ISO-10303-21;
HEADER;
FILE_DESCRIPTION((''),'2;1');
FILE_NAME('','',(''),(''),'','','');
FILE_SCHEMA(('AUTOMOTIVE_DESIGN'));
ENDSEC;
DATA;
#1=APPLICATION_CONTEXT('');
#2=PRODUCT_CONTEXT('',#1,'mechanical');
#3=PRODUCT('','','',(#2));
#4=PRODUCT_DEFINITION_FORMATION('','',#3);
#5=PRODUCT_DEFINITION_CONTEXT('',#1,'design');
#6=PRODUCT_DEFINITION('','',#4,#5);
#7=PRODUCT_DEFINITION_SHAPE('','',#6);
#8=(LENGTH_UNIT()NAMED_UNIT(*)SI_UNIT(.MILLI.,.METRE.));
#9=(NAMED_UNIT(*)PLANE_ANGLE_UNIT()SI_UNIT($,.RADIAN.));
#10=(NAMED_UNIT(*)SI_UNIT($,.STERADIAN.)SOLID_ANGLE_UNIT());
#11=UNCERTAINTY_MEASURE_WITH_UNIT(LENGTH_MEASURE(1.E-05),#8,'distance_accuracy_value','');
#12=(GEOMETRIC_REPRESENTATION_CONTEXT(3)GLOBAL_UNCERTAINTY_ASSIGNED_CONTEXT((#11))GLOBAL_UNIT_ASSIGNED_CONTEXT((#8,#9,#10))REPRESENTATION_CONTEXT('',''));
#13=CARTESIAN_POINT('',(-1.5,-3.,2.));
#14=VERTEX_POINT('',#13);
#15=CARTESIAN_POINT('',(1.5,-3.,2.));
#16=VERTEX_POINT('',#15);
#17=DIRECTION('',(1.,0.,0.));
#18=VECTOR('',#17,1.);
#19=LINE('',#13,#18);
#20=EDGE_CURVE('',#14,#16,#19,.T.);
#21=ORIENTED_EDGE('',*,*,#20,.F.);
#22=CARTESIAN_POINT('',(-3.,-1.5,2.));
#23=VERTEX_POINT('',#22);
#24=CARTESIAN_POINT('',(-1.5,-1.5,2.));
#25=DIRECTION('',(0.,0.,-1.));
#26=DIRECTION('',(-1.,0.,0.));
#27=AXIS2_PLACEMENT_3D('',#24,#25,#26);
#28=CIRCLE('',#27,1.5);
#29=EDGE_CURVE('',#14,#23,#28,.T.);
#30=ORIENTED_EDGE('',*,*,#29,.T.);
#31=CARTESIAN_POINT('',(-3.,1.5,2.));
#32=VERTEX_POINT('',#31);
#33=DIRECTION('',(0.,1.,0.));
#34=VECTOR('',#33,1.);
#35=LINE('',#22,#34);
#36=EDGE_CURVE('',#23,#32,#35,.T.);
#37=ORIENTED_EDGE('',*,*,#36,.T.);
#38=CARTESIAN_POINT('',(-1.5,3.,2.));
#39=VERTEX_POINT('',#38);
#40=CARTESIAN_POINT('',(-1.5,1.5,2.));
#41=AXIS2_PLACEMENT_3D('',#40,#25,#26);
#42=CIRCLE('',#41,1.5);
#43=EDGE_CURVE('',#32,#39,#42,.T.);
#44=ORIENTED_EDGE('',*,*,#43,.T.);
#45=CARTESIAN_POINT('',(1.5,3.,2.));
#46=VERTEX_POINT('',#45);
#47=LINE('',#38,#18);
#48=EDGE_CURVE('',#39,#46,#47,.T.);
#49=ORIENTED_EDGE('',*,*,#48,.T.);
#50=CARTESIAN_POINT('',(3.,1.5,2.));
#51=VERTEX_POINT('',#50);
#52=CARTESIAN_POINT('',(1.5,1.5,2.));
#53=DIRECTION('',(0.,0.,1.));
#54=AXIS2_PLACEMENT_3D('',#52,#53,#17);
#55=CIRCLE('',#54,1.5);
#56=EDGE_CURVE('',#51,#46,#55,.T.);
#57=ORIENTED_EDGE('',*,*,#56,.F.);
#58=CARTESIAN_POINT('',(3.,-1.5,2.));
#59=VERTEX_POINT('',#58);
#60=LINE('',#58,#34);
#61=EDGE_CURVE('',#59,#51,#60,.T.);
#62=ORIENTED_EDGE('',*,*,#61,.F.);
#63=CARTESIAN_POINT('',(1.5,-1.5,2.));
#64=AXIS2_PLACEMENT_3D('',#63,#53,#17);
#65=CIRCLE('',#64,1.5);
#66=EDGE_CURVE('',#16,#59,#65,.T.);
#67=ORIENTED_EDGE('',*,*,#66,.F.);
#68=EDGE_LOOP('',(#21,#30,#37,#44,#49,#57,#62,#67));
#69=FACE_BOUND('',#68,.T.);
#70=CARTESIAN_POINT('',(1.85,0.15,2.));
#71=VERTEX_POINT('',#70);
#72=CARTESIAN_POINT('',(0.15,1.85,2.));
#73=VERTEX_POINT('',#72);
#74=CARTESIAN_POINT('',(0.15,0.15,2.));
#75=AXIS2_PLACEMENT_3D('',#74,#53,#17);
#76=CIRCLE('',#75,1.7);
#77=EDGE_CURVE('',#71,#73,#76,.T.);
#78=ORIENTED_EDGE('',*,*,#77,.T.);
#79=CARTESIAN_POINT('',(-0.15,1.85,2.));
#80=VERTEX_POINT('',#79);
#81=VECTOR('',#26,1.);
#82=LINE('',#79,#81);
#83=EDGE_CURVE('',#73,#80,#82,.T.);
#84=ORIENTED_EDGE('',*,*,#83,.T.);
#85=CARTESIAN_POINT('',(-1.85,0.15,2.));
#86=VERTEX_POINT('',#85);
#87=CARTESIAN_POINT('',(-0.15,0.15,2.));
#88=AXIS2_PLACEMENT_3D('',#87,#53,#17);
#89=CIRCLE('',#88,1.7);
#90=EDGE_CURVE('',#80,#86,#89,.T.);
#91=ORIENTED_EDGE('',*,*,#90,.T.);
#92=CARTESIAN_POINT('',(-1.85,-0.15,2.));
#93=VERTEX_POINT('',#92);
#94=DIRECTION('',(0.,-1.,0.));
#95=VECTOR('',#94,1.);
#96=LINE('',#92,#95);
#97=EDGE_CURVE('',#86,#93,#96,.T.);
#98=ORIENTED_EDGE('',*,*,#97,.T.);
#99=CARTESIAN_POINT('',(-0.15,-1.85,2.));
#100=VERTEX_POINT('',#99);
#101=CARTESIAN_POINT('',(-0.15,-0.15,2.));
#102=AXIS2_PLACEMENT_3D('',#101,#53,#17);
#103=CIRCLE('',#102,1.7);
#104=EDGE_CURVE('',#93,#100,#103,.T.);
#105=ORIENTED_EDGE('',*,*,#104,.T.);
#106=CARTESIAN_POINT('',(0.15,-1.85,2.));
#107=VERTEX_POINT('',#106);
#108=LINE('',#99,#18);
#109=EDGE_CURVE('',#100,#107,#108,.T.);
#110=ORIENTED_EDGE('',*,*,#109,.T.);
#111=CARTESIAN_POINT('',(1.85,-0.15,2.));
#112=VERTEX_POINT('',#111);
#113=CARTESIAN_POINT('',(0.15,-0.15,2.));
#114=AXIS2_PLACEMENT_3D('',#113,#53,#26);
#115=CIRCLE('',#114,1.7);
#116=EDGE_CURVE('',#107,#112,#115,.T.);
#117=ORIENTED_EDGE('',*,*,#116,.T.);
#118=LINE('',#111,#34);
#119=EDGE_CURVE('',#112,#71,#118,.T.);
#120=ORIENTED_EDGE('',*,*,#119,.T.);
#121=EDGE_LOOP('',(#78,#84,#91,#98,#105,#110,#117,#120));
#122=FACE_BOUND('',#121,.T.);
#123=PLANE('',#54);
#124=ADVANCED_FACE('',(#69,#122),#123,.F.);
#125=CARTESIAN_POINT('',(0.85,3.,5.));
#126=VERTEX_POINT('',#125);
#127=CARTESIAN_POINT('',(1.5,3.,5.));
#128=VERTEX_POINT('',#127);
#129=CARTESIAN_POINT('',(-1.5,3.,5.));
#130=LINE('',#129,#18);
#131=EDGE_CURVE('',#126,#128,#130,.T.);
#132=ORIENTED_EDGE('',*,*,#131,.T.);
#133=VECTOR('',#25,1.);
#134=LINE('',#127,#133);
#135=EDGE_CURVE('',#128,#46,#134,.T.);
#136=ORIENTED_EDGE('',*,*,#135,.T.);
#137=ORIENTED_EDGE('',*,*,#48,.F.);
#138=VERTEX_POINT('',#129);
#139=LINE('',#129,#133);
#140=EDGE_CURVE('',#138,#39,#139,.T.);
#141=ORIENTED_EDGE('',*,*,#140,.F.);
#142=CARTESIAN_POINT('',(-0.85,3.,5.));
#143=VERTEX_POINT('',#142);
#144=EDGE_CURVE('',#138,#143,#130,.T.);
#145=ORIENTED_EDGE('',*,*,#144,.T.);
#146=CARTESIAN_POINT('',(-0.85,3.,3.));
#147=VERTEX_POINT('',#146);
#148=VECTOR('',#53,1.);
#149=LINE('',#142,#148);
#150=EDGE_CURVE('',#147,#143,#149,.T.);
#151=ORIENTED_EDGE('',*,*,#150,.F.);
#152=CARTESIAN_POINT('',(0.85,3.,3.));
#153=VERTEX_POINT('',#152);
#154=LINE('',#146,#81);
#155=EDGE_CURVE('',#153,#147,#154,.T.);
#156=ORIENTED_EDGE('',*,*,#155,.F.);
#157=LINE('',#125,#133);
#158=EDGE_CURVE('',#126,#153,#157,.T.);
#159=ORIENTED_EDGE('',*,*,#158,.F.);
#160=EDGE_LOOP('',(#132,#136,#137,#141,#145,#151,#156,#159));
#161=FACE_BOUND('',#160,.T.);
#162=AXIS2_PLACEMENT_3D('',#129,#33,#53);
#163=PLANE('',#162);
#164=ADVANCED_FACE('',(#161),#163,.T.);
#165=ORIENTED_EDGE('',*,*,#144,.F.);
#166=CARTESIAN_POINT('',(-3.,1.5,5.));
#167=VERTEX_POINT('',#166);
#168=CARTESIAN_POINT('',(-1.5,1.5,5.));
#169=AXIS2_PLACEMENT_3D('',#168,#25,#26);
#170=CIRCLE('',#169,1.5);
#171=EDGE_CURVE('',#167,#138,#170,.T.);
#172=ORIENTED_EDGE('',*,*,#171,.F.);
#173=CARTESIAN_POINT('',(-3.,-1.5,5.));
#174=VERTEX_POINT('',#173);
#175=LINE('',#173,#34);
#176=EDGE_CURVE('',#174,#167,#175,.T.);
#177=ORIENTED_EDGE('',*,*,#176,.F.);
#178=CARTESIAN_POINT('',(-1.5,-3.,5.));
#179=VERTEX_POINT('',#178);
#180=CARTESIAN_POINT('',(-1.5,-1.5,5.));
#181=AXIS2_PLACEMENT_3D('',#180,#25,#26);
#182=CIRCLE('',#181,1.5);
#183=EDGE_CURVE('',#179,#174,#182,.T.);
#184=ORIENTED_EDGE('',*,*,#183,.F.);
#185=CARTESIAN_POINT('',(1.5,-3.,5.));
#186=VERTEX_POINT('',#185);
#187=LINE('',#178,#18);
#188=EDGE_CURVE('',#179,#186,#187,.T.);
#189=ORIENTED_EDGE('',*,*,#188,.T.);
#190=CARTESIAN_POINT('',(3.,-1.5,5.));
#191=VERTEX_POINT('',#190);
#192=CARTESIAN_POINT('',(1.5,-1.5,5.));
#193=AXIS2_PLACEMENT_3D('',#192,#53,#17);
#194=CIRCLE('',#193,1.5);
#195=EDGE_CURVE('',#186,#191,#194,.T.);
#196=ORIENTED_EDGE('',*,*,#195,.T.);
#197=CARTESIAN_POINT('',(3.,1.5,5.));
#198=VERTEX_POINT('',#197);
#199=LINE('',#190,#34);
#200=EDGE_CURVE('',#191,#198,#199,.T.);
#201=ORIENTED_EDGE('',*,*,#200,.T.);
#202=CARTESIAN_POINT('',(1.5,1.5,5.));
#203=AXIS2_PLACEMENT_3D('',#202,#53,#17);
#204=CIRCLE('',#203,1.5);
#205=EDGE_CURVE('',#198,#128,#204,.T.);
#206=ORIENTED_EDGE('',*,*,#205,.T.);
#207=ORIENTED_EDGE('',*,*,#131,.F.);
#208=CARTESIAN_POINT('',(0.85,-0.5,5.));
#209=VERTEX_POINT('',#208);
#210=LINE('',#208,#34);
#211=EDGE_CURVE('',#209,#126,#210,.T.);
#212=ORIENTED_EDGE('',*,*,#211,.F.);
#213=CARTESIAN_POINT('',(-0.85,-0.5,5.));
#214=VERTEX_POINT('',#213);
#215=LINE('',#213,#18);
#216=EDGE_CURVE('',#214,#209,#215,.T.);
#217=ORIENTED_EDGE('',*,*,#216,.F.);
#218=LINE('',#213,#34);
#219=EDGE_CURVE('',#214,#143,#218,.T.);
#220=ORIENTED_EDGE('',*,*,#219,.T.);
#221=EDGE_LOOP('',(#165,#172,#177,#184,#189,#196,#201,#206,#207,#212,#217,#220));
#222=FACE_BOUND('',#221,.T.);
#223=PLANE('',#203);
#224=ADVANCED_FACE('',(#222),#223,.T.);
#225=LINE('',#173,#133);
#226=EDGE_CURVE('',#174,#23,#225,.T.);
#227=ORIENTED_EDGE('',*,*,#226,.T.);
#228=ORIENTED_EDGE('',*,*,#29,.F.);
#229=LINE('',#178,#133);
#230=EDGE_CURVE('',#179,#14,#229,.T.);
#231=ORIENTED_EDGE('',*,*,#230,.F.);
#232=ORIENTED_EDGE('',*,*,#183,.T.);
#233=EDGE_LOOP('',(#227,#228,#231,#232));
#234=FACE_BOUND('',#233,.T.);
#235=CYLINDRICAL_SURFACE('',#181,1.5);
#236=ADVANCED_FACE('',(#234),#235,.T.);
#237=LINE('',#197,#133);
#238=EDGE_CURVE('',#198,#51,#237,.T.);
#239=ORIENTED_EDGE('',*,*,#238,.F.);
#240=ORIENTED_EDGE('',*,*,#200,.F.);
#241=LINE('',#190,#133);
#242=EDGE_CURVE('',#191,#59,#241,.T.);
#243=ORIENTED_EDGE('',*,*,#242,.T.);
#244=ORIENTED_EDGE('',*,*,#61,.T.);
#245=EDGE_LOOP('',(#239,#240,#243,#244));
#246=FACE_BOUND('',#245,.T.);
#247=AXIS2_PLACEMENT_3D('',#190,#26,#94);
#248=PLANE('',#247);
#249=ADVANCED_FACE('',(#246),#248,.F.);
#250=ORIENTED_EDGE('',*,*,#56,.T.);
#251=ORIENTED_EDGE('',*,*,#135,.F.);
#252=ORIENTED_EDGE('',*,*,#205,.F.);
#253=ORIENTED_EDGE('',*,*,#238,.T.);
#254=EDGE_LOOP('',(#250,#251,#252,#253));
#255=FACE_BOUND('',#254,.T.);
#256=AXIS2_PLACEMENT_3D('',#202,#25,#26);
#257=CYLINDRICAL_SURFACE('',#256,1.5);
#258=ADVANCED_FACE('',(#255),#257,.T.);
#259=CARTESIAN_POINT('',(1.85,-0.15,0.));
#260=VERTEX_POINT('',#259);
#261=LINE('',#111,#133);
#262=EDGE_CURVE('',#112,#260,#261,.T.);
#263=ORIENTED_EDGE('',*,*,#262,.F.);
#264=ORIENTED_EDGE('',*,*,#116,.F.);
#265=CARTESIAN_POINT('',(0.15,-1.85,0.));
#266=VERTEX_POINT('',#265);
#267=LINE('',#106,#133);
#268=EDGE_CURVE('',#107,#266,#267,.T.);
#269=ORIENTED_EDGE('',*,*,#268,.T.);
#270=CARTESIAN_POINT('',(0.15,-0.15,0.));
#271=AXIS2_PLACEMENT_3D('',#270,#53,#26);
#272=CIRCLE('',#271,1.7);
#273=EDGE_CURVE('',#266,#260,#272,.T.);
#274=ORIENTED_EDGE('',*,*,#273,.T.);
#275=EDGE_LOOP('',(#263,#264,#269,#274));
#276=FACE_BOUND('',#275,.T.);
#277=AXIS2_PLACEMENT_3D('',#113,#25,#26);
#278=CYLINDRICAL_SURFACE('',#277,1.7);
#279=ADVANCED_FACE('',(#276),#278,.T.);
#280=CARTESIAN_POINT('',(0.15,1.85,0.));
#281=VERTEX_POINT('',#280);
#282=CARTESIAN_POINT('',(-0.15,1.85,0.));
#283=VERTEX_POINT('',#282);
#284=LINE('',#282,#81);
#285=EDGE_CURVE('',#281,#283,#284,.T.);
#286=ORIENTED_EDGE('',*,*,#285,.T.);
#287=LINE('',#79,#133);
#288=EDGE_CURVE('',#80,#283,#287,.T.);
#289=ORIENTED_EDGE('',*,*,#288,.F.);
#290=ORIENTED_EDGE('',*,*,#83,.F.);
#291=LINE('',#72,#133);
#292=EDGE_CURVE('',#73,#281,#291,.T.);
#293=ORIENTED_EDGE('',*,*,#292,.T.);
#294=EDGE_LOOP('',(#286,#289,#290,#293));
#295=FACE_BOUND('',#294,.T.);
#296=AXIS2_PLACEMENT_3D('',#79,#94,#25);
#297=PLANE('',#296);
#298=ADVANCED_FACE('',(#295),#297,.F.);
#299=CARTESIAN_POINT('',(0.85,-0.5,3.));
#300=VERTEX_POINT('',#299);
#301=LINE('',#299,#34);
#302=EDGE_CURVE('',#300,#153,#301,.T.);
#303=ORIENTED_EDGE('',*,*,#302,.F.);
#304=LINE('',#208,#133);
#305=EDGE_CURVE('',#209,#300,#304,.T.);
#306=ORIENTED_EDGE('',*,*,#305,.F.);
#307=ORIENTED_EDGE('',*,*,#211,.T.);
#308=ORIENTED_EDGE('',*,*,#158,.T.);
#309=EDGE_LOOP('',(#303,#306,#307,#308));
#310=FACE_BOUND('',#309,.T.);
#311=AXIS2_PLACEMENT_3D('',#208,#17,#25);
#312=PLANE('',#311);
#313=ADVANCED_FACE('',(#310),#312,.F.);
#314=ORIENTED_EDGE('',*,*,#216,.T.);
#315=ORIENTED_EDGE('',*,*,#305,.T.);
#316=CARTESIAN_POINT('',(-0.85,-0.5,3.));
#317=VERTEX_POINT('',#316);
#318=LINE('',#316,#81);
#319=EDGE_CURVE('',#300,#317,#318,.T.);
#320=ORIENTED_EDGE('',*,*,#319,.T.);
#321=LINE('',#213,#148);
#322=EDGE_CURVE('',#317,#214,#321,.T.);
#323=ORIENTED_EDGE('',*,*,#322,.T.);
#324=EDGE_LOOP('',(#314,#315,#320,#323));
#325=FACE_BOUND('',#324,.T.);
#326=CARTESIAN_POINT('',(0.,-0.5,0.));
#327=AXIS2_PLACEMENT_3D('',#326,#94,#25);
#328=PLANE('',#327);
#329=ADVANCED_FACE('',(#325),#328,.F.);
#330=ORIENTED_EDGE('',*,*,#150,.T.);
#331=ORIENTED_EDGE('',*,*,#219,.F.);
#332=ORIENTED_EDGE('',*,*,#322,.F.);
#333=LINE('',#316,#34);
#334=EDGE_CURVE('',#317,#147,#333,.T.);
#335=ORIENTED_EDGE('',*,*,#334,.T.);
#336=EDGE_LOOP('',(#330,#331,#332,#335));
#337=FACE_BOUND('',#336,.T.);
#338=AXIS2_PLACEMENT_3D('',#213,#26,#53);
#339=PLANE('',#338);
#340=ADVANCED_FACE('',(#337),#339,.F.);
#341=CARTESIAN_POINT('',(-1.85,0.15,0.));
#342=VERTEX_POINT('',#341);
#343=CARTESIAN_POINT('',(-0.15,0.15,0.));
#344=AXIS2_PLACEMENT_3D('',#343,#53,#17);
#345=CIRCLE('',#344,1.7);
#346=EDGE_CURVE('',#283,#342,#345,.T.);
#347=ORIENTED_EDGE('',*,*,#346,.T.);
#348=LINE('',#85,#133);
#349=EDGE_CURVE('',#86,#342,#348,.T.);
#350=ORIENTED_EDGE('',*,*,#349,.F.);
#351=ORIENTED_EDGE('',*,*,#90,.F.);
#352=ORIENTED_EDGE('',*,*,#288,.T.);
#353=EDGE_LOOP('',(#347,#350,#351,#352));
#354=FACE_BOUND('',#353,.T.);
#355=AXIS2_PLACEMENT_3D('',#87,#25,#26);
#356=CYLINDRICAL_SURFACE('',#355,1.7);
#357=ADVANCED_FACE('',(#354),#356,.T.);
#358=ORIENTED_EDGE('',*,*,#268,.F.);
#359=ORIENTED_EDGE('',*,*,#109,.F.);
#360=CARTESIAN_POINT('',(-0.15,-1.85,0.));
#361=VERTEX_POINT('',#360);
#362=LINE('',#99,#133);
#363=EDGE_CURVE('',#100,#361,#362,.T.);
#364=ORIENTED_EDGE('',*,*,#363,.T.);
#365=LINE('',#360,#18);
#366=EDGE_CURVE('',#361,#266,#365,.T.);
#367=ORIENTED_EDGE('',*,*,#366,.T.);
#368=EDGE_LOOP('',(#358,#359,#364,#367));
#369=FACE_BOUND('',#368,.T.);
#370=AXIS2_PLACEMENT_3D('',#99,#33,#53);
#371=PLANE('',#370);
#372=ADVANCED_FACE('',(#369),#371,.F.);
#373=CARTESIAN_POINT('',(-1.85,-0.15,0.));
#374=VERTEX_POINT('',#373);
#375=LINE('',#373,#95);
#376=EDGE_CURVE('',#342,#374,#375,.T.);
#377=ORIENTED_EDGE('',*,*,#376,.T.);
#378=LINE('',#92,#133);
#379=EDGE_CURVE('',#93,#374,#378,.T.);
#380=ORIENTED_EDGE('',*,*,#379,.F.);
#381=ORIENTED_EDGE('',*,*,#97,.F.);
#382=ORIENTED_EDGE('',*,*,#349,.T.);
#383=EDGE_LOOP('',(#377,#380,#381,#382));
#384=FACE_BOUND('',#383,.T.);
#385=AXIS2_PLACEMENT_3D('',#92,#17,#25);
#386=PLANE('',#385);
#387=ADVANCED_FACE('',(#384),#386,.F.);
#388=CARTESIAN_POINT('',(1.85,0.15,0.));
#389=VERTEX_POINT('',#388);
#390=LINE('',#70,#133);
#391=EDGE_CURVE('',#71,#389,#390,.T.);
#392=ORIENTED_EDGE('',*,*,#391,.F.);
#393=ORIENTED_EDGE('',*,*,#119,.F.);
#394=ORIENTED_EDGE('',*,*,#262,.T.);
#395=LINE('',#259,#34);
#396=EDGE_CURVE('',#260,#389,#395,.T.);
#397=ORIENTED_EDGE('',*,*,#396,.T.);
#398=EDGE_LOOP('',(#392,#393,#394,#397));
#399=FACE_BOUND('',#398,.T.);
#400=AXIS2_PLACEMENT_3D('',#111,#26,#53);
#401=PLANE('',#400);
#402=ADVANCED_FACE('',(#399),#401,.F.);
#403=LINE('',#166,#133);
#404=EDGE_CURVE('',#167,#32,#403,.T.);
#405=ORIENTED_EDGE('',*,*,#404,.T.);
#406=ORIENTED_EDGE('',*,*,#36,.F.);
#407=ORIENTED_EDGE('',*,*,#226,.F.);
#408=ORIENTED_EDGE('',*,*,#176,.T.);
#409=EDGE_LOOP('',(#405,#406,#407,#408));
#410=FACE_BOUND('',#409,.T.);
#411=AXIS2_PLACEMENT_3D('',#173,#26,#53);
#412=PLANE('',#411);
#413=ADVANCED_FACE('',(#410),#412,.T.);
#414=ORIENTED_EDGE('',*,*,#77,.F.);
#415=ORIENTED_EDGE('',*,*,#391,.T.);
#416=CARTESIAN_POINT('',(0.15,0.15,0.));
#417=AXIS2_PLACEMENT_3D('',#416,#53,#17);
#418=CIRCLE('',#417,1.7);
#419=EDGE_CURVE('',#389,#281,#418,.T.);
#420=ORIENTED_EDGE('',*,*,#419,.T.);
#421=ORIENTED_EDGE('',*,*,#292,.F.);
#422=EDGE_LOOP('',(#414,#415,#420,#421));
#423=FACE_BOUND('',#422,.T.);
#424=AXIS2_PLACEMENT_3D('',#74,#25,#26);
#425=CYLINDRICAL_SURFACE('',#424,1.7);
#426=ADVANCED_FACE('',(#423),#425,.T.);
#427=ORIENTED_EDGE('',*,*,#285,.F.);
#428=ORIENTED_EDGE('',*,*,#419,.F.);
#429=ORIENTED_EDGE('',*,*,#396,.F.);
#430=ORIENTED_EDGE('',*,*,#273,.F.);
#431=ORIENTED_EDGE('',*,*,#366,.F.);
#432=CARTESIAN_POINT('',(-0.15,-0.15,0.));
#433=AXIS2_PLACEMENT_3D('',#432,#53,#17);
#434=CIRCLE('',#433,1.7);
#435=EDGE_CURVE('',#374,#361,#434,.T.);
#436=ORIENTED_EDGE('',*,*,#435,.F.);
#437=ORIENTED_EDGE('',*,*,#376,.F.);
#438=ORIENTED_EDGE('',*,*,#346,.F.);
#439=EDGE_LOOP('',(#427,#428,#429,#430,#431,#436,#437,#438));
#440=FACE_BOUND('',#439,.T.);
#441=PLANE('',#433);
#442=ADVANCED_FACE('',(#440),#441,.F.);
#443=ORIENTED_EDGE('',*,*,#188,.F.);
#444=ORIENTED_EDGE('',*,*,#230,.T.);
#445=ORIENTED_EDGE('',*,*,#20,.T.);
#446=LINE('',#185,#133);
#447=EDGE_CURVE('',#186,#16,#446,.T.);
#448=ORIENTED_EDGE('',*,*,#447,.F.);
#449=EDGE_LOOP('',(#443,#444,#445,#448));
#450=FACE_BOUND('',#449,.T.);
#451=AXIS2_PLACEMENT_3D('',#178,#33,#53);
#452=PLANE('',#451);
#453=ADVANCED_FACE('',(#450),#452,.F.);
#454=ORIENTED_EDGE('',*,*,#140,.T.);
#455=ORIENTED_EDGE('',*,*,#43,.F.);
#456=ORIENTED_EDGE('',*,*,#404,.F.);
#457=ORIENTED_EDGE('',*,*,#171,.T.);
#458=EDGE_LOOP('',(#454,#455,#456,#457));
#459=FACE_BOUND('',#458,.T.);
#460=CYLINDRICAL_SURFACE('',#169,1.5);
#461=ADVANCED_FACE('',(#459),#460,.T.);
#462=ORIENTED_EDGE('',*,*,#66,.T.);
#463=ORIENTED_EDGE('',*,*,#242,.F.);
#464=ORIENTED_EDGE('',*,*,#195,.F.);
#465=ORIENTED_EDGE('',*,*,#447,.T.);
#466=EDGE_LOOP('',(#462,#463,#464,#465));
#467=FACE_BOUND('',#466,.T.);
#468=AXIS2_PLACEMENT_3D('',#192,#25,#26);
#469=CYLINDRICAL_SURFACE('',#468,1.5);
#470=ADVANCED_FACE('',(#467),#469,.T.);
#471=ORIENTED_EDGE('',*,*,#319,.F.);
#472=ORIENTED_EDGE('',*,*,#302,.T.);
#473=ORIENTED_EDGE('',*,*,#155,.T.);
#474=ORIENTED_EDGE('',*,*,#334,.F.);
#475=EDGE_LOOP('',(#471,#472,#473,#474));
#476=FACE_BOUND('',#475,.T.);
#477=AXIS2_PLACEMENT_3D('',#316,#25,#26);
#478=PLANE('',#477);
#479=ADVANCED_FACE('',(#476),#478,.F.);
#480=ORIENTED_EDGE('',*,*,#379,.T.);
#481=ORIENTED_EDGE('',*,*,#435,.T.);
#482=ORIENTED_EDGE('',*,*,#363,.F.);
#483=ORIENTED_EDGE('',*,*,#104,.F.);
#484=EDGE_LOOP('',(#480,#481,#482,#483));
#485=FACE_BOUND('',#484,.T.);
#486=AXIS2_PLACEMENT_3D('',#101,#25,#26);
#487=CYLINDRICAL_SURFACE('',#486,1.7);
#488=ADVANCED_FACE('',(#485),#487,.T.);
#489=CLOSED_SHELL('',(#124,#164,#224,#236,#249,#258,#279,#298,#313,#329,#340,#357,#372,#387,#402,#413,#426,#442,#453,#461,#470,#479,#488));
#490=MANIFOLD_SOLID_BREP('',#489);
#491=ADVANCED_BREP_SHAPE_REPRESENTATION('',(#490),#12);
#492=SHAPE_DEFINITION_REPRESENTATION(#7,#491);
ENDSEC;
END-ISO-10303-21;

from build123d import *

# Parameters (mm, degrees)
EXTRUDE_1_DEPTH     = 2
EXTRUDE_2_DEPTH     = 3
SKETCH_4_W          = 1.7
SKETCH_4_H          = 2
CUT_EXTRUDE_1_DEPTH = 3.5


with BuildPart() as part:
    # Эскиз1 → Бобышка-Вытянуть1 (new body)
    with BuildSketch(Plane.XY):
        with BuildLine():
            Line((-0.15, -1.85), (0.15, -1.85))
            ThreePointArc((0.15, -1.85), (1.352081528, -1.352081528), (1.85, -0.15))
            Line((1.85, -0.15), (1.85, 0.15))
            ThreePointArc((1.85, 0.15), (1.352081528, 1.352081528), (0.15, 1.85))
            Line((0.15, 1.85), (-0.15, 1.85))
            ThreePointArc((-0.15, 1.85), (-1.352081528, 1.352081528), (-1.85, 0.15))
            Line((-1.85, 0.15), (-1.85, -0.15))
            ThreePointArc((-1.85, -0.15), (-1.352081528, -1.352081528), (-0.15, -1.85))
        make_face()
    extrude(amount=EXTRUDE_1_DEPTH)

    # Эскиз2 → Бобышка-Вытянуть2 (add)
    with BuildSketch(Plane.XY.offset(2)):
        with BuildLine():
            Line((-1.5, -3), (1.5, -3))
            ThreePointArc((1.5, -3), (2.560660172, -2.560660172), (3, -1.5))
            Line((3, -1.5), (3, 1.5))
            ThreePointArc((3, 1.5), (2.560660172, 2.560660172), (1.5, 3))
            Line((1.5, 3), (-1.5, 3))
            ThreePointArc((-1.5, 3), (-2.560660172, 2.560660172), (-3, 1.5))
            Line((-3, 1.5), (-3, -1.5))
            ThreePointArc((-3, -1.5), (-2.560660172, -2.560660172), (-1.5, -3))
        make_face()
    extrude(amount=EXTRUDE_2_DEPTH)

    # Эскиз4 → Вырез-Вытянуть1 (cut)
    with BuildSketch(Plane(origin=(0, 3, 0), x_dir=(1, 0, 0), z_dir=(0, 1, 0))):
        with Locations((0, -4)):
            Rectangle(SKETCH_4_W, SKETCH_4_H)
    extrude(amount=-CUT_EXTRUDE_1_DEPTH, mode=Mode.SUBTRACT)


solid = part.part
